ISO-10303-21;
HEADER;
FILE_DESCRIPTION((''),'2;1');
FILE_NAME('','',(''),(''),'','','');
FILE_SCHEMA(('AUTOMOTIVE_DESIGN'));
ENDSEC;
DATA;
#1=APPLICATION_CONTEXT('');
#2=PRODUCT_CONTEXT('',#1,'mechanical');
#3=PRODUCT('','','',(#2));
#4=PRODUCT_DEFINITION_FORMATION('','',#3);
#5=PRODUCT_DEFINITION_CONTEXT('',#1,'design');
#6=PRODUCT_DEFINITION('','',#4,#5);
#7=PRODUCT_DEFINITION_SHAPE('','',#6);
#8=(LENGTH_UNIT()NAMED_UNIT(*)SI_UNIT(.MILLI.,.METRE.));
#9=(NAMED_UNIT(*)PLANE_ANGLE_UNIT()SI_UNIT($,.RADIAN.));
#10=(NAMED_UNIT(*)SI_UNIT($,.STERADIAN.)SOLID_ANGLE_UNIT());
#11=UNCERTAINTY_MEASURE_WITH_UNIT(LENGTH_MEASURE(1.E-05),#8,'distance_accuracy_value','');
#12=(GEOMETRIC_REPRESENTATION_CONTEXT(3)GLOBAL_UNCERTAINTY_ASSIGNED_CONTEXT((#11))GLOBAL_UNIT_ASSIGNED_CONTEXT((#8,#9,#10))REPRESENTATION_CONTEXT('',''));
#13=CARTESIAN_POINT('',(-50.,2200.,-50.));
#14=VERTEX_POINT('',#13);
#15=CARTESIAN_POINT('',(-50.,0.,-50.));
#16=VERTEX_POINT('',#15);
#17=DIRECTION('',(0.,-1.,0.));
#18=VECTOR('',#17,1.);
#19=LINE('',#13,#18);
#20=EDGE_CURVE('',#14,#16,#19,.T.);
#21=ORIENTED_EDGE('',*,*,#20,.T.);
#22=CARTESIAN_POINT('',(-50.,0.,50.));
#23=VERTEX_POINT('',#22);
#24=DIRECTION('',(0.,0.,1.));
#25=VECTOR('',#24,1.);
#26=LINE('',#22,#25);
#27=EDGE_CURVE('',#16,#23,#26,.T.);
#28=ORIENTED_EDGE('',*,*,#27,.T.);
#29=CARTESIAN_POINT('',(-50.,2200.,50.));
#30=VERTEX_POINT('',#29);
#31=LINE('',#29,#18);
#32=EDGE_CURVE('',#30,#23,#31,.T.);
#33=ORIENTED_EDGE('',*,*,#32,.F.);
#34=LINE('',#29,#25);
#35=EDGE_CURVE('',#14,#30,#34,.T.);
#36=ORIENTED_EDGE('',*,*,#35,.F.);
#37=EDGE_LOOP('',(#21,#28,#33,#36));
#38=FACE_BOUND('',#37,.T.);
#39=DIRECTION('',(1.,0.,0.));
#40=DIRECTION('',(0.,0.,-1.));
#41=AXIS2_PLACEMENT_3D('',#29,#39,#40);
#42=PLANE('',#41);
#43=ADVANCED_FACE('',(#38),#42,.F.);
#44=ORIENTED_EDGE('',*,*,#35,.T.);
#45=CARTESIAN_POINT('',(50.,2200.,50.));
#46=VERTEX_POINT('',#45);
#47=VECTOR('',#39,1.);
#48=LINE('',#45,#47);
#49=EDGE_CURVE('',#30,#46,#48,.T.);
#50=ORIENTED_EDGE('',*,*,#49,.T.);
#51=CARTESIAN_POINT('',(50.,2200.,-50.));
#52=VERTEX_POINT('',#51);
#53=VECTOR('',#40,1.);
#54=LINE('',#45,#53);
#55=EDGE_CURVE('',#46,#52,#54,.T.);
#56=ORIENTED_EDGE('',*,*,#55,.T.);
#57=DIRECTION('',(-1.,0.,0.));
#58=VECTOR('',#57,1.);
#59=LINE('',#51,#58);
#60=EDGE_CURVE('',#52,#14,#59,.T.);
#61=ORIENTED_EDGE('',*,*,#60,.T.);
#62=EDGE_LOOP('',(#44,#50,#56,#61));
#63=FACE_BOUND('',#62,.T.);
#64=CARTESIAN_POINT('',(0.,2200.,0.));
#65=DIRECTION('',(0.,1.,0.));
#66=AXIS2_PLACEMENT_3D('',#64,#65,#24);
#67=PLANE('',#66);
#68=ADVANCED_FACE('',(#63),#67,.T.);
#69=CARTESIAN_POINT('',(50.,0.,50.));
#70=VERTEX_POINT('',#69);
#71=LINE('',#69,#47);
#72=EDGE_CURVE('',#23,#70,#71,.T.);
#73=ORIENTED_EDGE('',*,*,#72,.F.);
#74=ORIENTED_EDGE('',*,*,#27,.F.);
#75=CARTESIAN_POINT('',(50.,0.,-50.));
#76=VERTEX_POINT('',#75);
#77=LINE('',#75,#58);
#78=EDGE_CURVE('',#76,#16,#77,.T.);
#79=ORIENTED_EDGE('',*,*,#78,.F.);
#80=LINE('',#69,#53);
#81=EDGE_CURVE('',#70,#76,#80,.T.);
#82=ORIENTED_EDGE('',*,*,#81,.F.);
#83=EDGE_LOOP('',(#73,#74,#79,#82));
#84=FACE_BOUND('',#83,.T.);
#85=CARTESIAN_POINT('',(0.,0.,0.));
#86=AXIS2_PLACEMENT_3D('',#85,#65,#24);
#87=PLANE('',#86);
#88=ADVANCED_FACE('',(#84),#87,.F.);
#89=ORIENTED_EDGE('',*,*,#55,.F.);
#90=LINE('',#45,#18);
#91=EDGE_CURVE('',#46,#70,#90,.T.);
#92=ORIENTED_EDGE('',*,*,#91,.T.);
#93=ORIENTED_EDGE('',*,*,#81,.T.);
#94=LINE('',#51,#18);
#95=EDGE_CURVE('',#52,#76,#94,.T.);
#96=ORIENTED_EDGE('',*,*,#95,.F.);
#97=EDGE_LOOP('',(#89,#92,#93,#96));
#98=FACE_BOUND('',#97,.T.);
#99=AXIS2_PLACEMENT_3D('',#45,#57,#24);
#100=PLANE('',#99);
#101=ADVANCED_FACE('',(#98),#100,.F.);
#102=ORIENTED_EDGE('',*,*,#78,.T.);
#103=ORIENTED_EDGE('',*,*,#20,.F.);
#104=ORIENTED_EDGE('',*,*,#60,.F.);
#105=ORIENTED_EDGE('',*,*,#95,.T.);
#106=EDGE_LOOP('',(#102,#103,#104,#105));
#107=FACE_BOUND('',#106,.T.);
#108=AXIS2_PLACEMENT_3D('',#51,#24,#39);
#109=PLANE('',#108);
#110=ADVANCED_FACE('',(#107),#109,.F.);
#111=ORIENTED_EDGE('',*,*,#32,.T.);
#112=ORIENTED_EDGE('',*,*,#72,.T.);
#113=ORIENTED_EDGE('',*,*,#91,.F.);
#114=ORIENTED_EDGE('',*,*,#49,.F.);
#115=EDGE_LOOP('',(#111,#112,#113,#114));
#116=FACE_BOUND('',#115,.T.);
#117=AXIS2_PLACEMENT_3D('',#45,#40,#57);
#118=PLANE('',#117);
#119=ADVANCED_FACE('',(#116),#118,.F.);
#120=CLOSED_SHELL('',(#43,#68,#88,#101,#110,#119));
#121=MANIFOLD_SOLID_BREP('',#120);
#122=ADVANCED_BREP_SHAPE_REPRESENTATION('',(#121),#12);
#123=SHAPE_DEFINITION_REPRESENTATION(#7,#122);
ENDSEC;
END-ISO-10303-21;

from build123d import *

# Parameters (mm, degrees)
SKETCH1_W           = 100
SKETCH1_H           = 100
BOSS_EXTRUDE1_DEPTH = 2200


with BuildPart() as part:
    # Sketch1 → Boss-Extrude1 (new body)
    with BuildSketch(Plane(origin=(0, 0, 0), x_dir=(1, 0, 0), z_dir=(0, 1, 0))):
        Rectangle(SKETCH1_W, SKETCH1_H)
    extrude(amount=BOSS_EXTRUDE1_DEPTH)


solid = part.part
